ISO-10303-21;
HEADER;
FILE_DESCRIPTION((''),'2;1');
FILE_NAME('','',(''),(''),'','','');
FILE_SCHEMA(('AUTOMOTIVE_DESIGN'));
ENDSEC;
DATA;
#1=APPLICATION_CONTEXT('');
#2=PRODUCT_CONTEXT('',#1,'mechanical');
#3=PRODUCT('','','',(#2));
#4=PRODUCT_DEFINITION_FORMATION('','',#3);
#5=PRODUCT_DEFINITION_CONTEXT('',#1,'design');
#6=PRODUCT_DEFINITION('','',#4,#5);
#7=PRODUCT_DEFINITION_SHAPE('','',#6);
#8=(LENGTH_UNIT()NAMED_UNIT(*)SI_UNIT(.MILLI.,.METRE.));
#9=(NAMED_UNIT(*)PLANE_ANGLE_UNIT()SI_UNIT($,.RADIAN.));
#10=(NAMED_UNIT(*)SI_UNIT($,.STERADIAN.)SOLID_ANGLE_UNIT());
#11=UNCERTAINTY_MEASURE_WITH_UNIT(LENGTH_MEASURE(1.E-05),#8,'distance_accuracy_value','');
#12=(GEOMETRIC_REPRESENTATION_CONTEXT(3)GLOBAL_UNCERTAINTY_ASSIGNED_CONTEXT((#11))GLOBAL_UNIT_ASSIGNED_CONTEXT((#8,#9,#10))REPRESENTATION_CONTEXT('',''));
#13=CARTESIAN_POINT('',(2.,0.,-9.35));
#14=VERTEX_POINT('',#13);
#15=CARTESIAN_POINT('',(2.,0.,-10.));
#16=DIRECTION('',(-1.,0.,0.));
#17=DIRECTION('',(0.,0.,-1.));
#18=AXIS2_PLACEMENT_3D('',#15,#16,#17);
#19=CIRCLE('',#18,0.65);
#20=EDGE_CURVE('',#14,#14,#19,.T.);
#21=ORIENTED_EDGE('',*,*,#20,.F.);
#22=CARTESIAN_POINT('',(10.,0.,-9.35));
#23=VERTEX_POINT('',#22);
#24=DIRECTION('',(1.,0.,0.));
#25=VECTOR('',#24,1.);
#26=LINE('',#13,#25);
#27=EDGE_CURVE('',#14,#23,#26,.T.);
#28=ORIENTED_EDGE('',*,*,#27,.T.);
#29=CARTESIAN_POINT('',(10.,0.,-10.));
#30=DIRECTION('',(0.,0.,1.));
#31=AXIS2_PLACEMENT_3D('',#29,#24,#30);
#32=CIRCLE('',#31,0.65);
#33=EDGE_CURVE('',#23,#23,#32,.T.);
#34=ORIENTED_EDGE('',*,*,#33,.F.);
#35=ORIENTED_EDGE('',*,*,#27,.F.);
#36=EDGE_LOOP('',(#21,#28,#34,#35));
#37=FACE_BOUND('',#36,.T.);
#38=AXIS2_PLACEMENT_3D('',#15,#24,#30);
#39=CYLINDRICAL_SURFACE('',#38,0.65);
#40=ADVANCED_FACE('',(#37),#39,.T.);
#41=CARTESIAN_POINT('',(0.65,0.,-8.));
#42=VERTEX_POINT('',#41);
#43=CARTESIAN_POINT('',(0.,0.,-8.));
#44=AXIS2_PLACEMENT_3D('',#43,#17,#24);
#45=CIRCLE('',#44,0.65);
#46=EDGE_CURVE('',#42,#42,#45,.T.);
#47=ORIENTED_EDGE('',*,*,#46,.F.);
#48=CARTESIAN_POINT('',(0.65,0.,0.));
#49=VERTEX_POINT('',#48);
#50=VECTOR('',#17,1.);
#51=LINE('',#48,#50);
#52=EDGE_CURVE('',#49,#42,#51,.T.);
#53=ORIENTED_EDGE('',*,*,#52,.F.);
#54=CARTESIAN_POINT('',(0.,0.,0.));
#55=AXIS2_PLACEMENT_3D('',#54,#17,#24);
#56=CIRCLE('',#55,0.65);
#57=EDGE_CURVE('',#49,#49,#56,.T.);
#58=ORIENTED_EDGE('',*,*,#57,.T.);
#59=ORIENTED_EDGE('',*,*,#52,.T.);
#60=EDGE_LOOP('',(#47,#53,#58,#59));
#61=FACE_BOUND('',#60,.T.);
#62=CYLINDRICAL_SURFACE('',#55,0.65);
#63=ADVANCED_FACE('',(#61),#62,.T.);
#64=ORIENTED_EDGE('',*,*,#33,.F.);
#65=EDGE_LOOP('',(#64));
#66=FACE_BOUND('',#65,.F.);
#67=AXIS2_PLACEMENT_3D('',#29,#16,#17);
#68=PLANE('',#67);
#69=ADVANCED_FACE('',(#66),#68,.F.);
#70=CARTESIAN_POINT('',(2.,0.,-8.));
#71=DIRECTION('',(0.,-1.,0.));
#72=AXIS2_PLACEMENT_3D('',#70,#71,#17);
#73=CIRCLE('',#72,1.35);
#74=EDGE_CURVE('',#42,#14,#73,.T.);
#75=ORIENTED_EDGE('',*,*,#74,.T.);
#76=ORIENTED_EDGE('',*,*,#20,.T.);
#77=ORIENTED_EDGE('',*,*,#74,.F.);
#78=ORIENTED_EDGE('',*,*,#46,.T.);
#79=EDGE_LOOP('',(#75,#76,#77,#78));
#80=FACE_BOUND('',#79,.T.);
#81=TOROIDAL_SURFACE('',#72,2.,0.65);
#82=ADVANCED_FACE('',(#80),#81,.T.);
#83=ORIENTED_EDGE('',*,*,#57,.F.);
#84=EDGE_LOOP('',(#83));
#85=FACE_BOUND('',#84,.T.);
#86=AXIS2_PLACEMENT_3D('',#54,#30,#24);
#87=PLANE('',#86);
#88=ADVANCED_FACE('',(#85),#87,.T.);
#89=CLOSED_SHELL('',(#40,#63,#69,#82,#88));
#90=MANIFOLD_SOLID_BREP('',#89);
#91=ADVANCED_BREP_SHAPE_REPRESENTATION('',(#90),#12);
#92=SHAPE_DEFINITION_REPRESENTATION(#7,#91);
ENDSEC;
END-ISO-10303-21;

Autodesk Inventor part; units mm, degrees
ref_plane "YZ Plane" through (0, 0, 0) normal (1, 0, 0) x (0, 1, 0)
ref_plane "XZ Plane" through (0, 0, 0) normal (0, 1, 0) x (-1, 0, 0)
ref_plane "XY Plane" through (0, 0, 0) normal (0, 0, 1) x (1, 0, 0)
sketch "Sketch1" plane through (0, 0, 0) normal (0, 1, 0) x (-1, 0, 0)
  line L0 (0, 0) -> (0, -8)
  line L1 (-2, -10) -> (-10, -10)
  arc A0 (-2, -10) -> (0, -8) centre (-2, -8) ccw
  dimension "d1" = 10
  dimension "d2" = 10
  dimension "d3" = 2
sketch "Sketch2" plane through (0, 0, 0) normal (0, 0, 1) x (1, 0, 0)
  circle A0 centre (0, 0) radius 0.65
  dimension "d4" = 1.3
sweep "Sweep1" add profiles "Sketch2" path "Sketch1"
properties part number "Wire"
